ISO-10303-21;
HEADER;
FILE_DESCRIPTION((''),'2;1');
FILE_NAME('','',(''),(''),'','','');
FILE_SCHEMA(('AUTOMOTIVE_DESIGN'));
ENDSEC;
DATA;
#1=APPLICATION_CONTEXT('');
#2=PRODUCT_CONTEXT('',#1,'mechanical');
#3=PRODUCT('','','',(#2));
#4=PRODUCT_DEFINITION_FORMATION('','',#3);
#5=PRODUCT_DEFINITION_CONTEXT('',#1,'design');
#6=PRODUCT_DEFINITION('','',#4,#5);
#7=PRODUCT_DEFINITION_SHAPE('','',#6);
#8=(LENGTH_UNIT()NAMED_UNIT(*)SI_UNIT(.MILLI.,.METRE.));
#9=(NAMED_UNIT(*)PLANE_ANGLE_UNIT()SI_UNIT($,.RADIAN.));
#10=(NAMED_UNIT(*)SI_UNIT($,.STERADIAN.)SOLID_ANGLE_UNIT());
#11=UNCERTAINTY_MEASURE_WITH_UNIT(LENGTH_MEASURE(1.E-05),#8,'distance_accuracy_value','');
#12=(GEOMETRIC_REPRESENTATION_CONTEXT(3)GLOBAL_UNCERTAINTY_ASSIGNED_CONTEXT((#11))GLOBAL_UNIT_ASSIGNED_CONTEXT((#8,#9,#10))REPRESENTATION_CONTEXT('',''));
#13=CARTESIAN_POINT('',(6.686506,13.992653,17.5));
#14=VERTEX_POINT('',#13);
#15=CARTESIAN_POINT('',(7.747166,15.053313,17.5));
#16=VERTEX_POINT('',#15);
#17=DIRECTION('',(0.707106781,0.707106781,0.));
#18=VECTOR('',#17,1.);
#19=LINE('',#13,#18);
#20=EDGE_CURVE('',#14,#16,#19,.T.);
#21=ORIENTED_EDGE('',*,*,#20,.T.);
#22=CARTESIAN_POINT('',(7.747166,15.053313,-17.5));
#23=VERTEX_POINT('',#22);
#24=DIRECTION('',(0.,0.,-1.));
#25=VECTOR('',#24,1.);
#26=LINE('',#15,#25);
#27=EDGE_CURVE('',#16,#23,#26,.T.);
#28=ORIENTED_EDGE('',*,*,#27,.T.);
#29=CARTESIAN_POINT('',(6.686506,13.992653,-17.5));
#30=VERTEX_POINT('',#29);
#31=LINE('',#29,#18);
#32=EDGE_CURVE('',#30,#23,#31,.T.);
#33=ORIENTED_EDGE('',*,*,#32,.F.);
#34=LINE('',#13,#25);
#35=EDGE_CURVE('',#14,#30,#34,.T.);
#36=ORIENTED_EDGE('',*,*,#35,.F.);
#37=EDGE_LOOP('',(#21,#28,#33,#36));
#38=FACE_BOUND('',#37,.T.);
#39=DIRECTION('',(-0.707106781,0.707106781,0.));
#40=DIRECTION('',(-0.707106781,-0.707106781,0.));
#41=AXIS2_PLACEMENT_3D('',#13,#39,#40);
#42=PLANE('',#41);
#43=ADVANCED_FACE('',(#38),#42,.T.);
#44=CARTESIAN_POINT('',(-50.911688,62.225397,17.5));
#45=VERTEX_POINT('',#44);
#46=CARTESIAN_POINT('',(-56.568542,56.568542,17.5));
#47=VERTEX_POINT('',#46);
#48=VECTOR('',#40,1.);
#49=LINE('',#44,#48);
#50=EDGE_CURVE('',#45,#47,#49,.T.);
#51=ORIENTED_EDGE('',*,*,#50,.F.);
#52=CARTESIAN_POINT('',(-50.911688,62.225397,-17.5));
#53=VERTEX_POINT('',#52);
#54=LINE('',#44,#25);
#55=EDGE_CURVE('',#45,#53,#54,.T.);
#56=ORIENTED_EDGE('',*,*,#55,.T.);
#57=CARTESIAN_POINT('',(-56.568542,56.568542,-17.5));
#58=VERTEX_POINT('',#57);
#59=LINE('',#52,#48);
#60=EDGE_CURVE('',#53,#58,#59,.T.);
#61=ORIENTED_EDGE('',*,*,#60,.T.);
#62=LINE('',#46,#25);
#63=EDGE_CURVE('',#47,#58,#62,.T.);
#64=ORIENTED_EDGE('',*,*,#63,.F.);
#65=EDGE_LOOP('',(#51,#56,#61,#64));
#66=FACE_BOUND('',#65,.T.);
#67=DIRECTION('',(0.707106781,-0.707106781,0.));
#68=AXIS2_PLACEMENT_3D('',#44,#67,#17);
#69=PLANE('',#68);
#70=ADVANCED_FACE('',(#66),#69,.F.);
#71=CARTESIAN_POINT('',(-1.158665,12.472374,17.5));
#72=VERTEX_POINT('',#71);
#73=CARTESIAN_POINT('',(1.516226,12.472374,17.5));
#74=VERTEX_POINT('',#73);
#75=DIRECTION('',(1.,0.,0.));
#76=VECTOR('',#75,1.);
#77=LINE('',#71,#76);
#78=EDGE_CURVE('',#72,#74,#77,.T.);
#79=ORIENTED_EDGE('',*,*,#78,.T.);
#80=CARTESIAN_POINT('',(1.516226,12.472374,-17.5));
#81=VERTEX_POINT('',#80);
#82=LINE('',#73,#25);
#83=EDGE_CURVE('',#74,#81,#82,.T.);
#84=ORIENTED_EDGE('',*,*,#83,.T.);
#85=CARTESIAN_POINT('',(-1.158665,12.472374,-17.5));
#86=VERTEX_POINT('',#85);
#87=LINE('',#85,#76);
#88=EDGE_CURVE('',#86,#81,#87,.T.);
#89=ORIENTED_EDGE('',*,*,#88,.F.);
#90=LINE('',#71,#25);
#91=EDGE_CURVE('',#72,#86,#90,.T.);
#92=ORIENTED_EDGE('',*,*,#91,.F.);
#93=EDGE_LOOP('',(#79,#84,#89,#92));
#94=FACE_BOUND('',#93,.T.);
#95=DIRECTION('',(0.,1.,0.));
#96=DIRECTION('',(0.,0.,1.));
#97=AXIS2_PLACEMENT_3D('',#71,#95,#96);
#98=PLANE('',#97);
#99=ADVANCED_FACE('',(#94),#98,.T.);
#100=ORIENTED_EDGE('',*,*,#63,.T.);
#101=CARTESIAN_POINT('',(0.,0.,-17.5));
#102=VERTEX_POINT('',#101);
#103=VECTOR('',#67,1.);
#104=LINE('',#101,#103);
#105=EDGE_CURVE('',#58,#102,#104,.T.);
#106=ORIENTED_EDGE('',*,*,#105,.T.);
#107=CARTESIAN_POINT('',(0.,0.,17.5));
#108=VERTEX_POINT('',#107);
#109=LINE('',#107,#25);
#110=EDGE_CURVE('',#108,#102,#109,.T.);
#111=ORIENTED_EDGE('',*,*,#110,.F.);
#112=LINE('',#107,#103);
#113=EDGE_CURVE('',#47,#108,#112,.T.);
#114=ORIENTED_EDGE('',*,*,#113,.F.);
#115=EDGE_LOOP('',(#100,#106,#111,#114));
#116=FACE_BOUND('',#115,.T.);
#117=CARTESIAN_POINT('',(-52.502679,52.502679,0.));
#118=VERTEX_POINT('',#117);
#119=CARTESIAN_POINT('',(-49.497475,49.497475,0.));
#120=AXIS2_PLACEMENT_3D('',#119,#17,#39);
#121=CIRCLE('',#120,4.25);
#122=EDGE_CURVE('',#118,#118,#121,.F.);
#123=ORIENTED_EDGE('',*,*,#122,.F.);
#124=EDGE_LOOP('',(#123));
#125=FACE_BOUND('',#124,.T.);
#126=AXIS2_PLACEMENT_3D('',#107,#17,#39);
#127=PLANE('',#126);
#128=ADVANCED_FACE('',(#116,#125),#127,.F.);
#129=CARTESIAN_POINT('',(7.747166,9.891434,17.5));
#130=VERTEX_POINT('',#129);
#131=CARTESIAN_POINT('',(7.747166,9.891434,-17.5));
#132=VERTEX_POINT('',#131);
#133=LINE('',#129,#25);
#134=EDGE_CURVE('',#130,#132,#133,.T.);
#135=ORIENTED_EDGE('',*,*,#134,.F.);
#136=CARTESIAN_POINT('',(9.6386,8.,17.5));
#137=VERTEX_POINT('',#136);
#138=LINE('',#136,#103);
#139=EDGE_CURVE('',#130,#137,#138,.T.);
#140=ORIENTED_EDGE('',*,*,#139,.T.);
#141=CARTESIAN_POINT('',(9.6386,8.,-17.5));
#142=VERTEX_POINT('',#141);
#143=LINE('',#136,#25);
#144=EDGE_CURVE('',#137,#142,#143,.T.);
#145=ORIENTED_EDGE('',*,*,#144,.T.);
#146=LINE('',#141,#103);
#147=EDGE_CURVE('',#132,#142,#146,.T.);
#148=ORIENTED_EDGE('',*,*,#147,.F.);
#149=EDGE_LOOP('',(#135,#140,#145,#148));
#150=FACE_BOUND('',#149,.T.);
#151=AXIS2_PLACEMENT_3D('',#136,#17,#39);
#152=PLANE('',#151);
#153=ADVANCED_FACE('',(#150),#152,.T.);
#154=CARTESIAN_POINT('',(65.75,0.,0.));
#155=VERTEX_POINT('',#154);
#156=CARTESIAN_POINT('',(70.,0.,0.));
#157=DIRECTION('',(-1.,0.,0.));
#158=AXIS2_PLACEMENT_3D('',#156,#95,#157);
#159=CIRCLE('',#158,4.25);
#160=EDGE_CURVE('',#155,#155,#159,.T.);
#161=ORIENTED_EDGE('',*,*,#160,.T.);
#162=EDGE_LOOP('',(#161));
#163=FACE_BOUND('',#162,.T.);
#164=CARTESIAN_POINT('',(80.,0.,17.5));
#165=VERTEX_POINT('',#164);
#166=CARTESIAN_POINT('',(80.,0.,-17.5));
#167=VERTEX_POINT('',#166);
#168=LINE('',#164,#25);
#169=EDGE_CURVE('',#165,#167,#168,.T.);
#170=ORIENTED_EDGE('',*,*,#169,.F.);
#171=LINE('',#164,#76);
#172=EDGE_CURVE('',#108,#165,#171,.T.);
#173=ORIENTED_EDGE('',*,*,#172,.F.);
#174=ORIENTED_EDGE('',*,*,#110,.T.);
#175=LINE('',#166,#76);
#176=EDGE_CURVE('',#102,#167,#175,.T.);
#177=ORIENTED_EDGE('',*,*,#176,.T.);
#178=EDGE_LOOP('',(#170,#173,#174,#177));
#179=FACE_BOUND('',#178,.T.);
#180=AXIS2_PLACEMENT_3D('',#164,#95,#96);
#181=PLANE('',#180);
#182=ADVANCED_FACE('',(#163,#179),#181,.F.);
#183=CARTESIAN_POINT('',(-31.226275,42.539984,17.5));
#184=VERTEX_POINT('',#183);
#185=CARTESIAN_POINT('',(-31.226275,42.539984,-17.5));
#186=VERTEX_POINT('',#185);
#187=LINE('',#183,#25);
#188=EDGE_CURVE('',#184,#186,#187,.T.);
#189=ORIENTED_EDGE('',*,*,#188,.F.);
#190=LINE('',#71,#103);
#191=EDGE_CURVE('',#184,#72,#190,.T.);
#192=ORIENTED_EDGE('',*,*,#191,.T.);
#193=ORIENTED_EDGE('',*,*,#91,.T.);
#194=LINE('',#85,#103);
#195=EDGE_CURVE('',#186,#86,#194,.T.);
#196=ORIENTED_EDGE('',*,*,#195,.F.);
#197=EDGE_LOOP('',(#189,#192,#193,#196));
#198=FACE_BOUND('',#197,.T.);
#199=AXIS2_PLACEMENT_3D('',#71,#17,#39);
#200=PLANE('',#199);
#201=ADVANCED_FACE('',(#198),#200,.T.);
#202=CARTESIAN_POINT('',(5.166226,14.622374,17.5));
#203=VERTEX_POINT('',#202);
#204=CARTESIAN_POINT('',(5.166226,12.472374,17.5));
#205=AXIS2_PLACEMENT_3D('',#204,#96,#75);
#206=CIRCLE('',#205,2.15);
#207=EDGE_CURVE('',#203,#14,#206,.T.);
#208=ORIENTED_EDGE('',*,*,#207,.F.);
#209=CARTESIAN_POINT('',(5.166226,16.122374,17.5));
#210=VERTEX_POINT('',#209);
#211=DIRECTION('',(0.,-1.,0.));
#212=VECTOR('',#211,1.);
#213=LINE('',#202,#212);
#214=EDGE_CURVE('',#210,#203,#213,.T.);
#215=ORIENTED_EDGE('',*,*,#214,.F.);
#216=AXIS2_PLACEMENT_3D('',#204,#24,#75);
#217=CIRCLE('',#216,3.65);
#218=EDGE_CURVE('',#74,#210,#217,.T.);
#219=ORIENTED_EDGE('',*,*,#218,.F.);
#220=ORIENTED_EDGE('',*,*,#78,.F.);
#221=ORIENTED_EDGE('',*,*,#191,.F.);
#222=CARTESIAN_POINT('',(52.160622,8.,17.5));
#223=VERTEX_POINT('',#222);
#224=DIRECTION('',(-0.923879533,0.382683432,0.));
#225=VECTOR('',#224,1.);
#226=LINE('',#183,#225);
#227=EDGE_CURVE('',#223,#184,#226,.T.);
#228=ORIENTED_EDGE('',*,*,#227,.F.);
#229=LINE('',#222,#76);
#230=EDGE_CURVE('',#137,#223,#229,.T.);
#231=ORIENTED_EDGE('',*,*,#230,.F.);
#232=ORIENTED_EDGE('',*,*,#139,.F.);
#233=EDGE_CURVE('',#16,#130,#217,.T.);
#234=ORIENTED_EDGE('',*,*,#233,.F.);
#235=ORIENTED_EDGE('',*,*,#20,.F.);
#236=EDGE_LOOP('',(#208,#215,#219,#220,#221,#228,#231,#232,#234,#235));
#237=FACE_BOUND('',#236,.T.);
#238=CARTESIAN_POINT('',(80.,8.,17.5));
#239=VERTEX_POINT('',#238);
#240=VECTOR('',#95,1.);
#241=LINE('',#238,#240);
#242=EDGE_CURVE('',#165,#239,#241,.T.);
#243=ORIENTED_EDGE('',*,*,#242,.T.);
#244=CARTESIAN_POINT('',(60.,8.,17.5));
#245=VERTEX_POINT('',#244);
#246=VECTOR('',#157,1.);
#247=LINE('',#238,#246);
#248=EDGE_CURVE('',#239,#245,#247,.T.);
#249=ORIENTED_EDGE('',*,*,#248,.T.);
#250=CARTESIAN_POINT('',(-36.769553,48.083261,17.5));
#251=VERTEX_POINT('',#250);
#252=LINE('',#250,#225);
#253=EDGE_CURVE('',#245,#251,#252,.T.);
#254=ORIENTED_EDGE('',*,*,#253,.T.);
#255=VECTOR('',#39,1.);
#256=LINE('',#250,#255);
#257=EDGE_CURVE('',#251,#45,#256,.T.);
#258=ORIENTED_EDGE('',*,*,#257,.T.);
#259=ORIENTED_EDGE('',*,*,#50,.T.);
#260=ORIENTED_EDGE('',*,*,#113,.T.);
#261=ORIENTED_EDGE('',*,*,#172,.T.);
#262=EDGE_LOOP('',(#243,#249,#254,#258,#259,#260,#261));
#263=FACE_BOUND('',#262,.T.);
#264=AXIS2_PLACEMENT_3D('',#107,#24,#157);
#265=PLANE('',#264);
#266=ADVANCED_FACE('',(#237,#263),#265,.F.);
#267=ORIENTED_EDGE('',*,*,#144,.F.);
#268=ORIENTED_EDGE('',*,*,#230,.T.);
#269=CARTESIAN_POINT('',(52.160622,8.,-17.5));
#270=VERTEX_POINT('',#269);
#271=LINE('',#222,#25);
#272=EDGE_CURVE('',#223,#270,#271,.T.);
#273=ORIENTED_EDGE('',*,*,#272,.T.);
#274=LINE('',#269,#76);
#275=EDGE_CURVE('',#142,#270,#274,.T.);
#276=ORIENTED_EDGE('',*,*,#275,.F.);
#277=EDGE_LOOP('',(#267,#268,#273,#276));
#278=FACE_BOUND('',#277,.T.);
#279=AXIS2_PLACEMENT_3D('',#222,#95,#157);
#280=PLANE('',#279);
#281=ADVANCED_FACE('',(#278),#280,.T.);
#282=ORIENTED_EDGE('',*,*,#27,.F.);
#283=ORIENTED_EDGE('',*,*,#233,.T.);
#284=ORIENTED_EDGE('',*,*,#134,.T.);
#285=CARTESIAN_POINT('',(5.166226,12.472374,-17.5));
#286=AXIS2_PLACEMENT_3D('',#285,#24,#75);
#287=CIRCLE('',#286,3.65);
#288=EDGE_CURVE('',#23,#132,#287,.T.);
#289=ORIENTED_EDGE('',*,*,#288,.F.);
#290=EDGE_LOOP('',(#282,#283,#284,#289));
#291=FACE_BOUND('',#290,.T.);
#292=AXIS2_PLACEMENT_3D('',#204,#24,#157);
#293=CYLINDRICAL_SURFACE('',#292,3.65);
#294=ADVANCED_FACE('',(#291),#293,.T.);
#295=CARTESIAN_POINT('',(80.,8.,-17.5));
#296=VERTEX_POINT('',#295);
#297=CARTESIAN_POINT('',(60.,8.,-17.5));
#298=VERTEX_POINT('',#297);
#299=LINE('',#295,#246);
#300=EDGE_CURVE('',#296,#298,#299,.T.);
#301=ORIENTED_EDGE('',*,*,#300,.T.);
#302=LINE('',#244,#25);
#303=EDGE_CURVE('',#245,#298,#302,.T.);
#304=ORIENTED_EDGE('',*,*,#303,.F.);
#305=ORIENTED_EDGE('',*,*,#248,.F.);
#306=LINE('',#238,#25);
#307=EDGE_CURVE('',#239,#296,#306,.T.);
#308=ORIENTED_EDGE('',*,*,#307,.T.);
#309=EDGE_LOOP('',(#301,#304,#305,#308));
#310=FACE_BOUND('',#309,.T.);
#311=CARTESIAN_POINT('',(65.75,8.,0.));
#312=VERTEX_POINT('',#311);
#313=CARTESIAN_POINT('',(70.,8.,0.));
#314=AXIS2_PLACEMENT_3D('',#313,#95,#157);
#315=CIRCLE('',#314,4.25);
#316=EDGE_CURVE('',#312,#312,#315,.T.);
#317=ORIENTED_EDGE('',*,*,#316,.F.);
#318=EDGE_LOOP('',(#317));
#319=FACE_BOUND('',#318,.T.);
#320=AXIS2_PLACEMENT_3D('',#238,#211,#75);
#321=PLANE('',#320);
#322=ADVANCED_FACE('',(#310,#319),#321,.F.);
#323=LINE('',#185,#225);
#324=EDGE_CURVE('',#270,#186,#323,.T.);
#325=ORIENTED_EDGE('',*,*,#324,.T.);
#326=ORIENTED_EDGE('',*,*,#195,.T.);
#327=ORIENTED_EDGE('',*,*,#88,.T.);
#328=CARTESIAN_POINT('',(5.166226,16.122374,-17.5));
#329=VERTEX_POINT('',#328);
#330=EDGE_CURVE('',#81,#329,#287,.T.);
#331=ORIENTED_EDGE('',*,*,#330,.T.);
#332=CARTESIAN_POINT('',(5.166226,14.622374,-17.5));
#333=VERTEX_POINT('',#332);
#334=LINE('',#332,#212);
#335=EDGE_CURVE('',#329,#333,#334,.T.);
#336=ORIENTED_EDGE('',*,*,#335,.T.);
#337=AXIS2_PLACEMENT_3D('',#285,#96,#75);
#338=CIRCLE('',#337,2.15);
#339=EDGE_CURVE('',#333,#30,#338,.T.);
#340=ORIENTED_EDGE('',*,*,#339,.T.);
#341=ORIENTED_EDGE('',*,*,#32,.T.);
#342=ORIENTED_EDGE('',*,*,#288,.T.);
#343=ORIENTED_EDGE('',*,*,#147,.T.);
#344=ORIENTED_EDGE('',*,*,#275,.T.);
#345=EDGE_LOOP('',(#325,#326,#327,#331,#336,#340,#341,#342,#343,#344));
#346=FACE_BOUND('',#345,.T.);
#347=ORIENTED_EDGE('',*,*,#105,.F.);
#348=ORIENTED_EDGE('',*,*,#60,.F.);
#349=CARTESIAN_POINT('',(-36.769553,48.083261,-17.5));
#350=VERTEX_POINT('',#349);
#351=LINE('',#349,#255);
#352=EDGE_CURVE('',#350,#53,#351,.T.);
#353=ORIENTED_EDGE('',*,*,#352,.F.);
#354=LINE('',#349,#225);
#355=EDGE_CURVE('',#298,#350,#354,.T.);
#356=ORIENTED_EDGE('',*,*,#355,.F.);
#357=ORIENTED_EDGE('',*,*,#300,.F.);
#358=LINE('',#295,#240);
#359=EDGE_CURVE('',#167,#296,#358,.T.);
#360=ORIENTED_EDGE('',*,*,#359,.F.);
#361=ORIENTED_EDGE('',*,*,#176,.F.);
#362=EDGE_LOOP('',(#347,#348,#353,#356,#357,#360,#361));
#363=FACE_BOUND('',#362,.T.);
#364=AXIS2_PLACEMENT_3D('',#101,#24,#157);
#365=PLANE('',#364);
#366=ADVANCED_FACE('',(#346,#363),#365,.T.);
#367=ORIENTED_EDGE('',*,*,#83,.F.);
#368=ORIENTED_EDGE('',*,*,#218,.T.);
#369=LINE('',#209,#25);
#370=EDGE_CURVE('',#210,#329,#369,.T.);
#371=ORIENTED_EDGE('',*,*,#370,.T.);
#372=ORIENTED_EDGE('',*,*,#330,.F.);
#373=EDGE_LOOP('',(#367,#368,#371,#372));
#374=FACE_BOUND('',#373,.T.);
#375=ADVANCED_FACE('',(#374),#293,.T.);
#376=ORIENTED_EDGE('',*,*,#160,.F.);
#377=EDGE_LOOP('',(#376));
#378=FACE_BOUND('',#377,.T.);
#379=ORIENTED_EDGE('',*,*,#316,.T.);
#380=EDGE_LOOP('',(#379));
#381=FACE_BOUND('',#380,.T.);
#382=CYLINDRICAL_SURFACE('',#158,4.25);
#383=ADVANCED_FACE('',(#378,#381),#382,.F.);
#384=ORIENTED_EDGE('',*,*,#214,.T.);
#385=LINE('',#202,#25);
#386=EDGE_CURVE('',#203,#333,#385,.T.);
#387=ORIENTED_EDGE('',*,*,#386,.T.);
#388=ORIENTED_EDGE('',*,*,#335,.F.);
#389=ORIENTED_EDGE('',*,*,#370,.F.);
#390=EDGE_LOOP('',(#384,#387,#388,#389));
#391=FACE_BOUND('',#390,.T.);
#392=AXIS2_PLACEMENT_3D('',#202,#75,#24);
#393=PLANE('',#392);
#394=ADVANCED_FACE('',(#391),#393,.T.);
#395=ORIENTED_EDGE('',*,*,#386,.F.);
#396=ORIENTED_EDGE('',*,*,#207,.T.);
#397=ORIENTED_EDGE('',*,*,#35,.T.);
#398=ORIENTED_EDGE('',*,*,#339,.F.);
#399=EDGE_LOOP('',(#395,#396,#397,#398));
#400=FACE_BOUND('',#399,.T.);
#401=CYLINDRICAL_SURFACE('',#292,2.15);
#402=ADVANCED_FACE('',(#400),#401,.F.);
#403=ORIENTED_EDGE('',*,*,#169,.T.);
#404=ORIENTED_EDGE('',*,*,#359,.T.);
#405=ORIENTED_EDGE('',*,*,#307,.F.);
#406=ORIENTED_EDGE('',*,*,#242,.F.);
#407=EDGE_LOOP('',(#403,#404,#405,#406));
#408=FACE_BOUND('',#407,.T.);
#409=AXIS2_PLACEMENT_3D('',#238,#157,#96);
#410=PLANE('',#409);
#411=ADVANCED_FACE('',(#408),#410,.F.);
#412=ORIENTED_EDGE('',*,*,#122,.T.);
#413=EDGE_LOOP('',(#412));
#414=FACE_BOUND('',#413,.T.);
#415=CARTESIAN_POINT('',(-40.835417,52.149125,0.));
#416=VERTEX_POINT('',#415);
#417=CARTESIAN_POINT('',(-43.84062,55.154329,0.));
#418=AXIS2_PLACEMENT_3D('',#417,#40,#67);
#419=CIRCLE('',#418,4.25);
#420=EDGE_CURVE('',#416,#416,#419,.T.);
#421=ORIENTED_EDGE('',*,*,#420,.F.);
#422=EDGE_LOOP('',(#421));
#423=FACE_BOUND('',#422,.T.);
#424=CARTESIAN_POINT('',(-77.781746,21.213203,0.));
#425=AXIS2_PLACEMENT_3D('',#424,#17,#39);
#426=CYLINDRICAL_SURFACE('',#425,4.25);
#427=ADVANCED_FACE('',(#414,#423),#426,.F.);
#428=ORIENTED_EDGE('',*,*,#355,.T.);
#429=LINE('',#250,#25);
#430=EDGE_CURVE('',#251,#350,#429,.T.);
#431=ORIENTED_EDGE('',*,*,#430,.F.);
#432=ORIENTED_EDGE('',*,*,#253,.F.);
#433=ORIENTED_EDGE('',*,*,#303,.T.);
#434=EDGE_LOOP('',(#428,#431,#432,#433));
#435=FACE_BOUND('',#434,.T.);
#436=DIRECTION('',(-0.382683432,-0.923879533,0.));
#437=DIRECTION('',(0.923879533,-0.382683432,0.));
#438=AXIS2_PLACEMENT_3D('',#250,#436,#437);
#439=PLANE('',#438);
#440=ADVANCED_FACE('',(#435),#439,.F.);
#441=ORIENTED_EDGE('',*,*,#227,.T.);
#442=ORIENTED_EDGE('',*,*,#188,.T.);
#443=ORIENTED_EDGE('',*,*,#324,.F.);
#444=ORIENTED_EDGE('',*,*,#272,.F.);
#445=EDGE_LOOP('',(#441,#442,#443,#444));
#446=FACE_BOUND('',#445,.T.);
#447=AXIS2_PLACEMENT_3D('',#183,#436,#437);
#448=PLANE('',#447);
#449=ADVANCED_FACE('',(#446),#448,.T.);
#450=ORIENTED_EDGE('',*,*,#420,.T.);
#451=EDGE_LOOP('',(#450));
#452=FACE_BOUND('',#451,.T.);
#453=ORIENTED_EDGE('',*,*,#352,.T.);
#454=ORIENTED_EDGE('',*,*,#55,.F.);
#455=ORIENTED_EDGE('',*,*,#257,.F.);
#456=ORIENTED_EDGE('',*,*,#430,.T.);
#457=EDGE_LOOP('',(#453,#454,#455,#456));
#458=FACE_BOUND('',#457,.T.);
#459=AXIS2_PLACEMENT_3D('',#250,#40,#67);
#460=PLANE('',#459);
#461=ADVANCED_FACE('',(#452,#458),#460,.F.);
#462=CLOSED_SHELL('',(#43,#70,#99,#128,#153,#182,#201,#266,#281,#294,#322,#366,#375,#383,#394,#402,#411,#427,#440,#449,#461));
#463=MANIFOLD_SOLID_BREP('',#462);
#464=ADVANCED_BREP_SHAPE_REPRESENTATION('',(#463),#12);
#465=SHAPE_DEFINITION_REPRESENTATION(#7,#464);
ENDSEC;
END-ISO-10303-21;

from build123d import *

# Parameters (mm, degrees)
EXTRUDE_1_DEPTH     = 17.5
SKETCH_3_R          = 4.25
CUT_EXTRUDE_1_DEPTH = 99.217328675


with BuildPart() as part:
    # 草图1 → 凸台-拉伸1 (new, symmetric)
    with BuildSketch(Plane.XY):
        Polygon((80, 0), (0, 0), (-56.568542495, 56.568542495), (-50.911688245, 62.225396744), (-36.769552622, 48.083261121), (60, 8), (80, 8), align=None)
        with BuildLine():
            Line((52.160622211, 8), (9.638600026, 8))
            Line((9.638600026, 8), (7.747166088, 9.891433938))
            ThreePointArc((7.747166088, 9.891433938), (8.816226337, 12.472373689), (7.747166088, 15.05331344))
            Line((7.747166088, 15.05331344), (6.686505916, 13.992653268))
            ThreePointArc((6.686505916, 13.992653268), (4.343456957, 10.486032694), (5.166226337, 14.622373689))
            Line((5.166226337, 14.622373689), (5.166226337, 16.122373689))
            ThreePointArc((5.166226337, 16.122373689), (2.585286586, 15.05331344), (1.516226337, 12.472373689))
            Line((1.516226337, 12.472373689), (-1.15866519, 12.472373689))
            Line((-1.15866519, 12.472373689), (-31.226275427, 42.539983926))
            Line((-31.226275427, 42.539983926), (52.160622211, 8))
        make_face(mode=Mode.SUBTRACT)
    extrude(amount=EXTRUDE_1_DEPTH, both=True)

    # 草图3 → 切除-拉伸1 (cut, through all)
    with BuildSketch(Plane(origin=(0, 8, 0), x_dir=(1, 0, 0), z_dir=(0, 1, 0))):
        with Locations(Location((70, 0, 0), (0, 0, 180))):
            Circle(SKETCH_3_R)
    cut_extrude_1 = extrude(amount=-CUT_EXTRUDE_1_DEPTH, mode=Mode.SUBTRACT)

    # 镜向1: 切除-拉伸1 across plane
    add(cut_extrude_1.mirror(Plane(origin=(0, 0, 0), x_dir=(0, 0, 1), z_dir=(-0.9238795325112867, 0.3826834323650898, 0))), mode=Mode.SUBTRACT)


solid = part.part
